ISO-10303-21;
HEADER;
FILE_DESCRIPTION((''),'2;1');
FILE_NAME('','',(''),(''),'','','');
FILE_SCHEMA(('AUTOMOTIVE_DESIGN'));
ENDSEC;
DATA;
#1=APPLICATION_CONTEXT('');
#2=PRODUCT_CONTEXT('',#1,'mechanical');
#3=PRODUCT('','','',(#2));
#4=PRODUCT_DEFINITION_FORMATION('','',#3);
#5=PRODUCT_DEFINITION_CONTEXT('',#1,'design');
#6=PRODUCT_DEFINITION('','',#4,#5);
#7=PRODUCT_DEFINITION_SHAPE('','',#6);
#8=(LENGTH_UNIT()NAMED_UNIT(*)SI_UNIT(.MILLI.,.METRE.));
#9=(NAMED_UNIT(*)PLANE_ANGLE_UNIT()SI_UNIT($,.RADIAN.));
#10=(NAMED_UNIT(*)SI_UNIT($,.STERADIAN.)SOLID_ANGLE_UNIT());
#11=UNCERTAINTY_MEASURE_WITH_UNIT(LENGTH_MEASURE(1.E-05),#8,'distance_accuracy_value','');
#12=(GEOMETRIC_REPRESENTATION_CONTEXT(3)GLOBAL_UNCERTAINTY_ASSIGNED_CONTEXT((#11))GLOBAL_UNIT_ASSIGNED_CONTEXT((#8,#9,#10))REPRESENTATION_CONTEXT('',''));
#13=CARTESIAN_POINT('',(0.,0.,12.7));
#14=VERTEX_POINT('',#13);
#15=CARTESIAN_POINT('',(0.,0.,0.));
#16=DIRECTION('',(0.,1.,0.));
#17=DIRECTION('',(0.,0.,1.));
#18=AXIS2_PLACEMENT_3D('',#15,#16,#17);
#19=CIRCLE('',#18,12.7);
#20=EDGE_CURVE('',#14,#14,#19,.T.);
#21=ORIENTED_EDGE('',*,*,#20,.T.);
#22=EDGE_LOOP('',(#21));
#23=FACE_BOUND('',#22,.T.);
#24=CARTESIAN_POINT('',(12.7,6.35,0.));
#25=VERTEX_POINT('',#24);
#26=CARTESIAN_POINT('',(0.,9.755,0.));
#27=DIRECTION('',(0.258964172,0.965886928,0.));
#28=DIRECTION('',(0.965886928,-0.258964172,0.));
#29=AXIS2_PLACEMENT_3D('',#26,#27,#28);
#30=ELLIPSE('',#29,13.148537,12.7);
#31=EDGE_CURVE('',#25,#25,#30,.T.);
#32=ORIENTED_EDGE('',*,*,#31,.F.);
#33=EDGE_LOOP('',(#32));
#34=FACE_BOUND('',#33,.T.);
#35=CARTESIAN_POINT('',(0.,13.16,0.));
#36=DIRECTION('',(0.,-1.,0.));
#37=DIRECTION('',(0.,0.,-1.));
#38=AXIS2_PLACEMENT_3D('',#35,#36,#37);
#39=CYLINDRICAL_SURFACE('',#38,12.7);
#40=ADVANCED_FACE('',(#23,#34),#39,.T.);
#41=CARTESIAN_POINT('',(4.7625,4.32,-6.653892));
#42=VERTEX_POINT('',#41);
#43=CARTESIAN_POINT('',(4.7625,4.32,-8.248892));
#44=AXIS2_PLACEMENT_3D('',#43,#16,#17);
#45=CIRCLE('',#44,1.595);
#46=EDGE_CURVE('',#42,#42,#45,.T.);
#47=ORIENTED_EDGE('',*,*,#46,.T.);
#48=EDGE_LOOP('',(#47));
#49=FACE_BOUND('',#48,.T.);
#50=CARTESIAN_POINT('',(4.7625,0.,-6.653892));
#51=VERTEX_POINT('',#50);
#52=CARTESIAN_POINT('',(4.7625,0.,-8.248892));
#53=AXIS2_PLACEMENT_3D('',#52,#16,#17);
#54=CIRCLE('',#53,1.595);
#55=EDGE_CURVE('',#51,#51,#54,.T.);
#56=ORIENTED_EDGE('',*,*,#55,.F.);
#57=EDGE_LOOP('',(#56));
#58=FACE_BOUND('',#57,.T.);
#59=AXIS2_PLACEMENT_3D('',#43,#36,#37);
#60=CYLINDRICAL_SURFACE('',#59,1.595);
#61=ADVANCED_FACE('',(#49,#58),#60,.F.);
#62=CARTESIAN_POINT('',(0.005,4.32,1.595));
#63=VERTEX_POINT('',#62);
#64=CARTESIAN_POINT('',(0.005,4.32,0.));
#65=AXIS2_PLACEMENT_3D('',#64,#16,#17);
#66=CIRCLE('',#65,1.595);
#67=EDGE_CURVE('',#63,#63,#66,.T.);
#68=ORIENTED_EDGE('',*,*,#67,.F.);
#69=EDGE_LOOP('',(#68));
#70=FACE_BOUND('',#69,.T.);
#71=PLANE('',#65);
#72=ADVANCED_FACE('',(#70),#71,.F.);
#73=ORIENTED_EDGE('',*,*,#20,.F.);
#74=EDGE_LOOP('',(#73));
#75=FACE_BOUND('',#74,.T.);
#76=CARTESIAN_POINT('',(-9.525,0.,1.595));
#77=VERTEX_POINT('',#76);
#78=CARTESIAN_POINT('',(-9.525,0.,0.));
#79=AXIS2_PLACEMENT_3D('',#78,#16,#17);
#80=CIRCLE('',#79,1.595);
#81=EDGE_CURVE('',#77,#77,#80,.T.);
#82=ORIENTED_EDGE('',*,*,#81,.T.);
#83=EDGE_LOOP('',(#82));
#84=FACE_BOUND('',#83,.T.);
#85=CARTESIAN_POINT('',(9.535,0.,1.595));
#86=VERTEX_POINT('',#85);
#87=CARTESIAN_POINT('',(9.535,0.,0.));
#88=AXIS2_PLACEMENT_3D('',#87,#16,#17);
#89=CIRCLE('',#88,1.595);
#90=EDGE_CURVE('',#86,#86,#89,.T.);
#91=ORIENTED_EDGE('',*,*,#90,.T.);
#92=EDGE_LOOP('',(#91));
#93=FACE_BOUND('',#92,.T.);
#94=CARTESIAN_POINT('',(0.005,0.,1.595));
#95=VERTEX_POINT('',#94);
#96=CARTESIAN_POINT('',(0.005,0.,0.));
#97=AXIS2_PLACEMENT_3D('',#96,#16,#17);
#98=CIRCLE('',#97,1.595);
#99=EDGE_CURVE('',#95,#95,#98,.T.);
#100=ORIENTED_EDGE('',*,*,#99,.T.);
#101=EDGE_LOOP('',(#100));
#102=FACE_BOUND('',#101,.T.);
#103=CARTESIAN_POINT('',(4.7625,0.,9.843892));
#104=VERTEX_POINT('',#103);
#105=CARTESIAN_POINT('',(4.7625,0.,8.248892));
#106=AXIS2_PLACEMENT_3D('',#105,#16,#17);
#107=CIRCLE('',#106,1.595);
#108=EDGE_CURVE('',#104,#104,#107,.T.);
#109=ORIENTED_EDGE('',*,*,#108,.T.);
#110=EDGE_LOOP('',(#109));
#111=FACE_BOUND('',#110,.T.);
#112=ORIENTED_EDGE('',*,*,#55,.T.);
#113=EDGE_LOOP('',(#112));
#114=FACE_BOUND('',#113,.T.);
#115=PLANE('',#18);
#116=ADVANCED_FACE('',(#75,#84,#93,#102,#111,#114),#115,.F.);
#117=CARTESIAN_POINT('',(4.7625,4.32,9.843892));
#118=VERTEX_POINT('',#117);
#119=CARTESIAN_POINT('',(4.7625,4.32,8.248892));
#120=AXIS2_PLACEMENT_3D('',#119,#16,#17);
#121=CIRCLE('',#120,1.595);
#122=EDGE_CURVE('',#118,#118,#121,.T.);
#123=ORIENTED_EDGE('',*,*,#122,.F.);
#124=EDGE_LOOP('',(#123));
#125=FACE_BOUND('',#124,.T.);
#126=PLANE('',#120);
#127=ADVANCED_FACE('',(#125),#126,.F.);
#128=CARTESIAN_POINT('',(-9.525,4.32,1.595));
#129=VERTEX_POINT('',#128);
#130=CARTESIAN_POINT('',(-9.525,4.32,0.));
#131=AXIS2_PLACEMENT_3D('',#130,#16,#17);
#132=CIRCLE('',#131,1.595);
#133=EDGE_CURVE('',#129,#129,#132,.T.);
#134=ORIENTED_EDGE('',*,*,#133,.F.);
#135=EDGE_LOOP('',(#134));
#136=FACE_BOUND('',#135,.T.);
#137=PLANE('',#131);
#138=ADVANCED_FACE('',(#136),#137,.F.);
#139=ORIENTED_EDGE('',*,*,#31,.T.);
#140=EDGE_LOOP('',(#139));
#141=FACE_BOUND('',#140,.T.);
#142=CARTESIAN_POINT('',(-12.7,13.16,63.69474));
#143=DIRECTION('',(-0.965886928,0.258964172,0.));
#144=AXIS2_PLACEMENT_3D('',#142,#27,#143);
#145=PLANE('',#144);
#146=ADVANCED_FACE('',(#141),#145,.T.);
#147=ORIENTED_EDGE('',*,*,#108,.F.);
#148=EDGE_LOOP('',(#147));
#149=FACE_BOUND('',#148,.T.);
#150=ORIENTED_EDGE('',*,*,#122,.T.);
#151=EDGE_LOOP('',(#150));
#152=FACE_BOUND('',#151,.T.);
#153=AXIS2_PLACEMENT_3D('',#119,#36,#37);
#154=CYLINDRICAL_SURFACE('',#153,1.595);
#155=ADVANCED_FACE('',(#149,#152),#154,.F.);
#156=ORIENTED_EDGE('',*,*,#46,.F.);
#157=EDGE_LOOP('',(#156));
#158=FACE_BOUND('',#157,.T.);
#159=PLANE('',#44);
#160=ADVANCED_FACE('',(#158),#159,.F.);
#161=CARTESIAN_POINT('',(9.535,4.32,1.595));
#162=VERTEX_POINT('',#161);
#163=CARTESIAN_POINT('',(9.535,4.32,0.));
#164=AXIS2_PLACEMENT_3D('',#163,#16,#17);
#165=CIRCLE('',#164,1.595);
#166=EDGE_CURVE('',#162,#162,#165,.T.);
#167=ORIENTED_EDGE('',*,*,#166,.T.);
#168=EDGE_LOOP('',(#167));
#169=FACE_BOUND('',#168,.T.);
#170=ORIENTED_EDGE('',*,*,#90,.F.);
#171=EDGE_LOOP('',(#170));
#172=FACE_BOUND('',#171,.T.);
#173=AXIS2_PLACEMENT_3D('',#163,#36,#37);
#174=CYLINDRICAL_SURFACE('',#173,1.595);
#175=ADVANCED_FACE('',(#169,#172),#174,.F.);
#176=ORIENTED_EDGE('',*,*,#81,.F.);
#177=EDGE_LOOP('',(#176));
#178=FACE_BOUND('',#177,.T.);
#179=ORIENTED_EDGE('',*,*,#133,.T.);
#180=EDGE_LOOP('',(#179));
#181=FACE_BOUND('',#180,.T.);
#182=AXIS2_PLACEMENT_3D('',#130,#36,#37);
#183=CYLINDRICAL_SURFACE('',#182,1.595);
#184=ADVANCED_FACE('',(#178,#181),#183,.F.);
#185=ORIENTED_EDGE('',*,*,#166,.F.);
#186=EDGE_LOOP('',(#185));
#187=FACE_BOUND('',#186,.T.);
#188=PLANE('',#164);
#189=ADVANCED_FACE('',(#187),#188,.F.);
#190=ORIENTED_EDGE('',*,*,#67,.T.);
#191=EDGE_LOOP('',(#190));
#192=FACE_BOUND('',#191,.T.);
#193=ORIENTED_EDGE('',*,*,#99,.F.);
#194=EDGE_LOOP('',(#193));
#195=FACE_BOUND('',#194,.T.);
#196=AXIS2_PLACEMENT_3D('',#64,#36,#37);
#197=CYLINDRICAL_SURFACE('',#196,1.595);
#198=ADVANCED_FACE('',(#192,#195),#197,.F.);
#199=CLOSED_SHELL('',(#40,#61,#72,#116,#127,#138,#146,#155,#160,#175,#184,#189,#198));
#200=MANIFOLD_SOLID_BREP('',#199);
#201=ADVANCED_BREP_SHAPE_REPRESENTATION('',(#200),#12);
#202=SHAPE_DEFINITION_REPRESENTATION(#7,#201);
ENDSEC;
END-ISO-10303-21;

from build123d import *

# Parameters (mm, degrees)
SKETCH1_R               = 12.7
BOSS_EXTRUDE1_DEPTH     = 13.16
CUT_EXTRUDE4_DEPTH      = 13.7
CUT_EXTRUDE4_DEPTH_BACK = 13.7
SKETCH4_R               = 1.595
CUT_EXTRUDE9_DEPTH      = 4.32


with BuildPart() as part:
    # Sketch1 → Boss-Extrude1 (new body)
    with BuildSketch(Plane(origin=(0, 0, 0), x_dir=(1, 0, 0), z_dir=(0, 1, 0))):
        Circle(SKETCH1_R)
    extrude(amount=BOSS_EXTRUDE1_DEPTH)

    # Sketch2 → Cut-Extrude4 (cut, two sides)
    with BuildSketch(Plane.XY) as cut_extrude4_sk:
        Polygon((-77.620622605, 30.565883462), (-12.7, 13.16), (12.7, 6.35), (77.620622605, -11.055883462), (112.43238953, 118.785361749), (-42.808855681, 160.407128673), align=None)
    extrude(amount=CUT_EXTRUDE4_DEPTH, mode=Mode.SUBTRACT)
    extrude(cut_extrude4_sk.sketch, amount=-CUT_EXTRUDE4_DEPTH_BACK, mode=Mode.SUBTRACT)

    # Sketch4 → Cut-Extrude9 (cut)
    with BuildSketch(Plane(origin=(0, 0, 0), x_dir=(1, 0, 0), z_dir=(0, 1, 0))):
        with Locations((-9.525, 0)):
            Circle(SKETCH4_R)
        with Locations((0.005, 0)):
            Circle(SKETCH4_R)
        with Locations((9.535, 0)):
            Circle(SKETCH4_R)
        with Locations((4.7625, 8.248891971)):
            Circle(SKETCH4_R)
        with Locations((4.7625, -8.248891971)):
            Circle(SKETCH4_R)
    extrude(amount=CUT_EXTRUDE9_DEPTH, mode=Mode.SUBTRACT)


solid = part.part
